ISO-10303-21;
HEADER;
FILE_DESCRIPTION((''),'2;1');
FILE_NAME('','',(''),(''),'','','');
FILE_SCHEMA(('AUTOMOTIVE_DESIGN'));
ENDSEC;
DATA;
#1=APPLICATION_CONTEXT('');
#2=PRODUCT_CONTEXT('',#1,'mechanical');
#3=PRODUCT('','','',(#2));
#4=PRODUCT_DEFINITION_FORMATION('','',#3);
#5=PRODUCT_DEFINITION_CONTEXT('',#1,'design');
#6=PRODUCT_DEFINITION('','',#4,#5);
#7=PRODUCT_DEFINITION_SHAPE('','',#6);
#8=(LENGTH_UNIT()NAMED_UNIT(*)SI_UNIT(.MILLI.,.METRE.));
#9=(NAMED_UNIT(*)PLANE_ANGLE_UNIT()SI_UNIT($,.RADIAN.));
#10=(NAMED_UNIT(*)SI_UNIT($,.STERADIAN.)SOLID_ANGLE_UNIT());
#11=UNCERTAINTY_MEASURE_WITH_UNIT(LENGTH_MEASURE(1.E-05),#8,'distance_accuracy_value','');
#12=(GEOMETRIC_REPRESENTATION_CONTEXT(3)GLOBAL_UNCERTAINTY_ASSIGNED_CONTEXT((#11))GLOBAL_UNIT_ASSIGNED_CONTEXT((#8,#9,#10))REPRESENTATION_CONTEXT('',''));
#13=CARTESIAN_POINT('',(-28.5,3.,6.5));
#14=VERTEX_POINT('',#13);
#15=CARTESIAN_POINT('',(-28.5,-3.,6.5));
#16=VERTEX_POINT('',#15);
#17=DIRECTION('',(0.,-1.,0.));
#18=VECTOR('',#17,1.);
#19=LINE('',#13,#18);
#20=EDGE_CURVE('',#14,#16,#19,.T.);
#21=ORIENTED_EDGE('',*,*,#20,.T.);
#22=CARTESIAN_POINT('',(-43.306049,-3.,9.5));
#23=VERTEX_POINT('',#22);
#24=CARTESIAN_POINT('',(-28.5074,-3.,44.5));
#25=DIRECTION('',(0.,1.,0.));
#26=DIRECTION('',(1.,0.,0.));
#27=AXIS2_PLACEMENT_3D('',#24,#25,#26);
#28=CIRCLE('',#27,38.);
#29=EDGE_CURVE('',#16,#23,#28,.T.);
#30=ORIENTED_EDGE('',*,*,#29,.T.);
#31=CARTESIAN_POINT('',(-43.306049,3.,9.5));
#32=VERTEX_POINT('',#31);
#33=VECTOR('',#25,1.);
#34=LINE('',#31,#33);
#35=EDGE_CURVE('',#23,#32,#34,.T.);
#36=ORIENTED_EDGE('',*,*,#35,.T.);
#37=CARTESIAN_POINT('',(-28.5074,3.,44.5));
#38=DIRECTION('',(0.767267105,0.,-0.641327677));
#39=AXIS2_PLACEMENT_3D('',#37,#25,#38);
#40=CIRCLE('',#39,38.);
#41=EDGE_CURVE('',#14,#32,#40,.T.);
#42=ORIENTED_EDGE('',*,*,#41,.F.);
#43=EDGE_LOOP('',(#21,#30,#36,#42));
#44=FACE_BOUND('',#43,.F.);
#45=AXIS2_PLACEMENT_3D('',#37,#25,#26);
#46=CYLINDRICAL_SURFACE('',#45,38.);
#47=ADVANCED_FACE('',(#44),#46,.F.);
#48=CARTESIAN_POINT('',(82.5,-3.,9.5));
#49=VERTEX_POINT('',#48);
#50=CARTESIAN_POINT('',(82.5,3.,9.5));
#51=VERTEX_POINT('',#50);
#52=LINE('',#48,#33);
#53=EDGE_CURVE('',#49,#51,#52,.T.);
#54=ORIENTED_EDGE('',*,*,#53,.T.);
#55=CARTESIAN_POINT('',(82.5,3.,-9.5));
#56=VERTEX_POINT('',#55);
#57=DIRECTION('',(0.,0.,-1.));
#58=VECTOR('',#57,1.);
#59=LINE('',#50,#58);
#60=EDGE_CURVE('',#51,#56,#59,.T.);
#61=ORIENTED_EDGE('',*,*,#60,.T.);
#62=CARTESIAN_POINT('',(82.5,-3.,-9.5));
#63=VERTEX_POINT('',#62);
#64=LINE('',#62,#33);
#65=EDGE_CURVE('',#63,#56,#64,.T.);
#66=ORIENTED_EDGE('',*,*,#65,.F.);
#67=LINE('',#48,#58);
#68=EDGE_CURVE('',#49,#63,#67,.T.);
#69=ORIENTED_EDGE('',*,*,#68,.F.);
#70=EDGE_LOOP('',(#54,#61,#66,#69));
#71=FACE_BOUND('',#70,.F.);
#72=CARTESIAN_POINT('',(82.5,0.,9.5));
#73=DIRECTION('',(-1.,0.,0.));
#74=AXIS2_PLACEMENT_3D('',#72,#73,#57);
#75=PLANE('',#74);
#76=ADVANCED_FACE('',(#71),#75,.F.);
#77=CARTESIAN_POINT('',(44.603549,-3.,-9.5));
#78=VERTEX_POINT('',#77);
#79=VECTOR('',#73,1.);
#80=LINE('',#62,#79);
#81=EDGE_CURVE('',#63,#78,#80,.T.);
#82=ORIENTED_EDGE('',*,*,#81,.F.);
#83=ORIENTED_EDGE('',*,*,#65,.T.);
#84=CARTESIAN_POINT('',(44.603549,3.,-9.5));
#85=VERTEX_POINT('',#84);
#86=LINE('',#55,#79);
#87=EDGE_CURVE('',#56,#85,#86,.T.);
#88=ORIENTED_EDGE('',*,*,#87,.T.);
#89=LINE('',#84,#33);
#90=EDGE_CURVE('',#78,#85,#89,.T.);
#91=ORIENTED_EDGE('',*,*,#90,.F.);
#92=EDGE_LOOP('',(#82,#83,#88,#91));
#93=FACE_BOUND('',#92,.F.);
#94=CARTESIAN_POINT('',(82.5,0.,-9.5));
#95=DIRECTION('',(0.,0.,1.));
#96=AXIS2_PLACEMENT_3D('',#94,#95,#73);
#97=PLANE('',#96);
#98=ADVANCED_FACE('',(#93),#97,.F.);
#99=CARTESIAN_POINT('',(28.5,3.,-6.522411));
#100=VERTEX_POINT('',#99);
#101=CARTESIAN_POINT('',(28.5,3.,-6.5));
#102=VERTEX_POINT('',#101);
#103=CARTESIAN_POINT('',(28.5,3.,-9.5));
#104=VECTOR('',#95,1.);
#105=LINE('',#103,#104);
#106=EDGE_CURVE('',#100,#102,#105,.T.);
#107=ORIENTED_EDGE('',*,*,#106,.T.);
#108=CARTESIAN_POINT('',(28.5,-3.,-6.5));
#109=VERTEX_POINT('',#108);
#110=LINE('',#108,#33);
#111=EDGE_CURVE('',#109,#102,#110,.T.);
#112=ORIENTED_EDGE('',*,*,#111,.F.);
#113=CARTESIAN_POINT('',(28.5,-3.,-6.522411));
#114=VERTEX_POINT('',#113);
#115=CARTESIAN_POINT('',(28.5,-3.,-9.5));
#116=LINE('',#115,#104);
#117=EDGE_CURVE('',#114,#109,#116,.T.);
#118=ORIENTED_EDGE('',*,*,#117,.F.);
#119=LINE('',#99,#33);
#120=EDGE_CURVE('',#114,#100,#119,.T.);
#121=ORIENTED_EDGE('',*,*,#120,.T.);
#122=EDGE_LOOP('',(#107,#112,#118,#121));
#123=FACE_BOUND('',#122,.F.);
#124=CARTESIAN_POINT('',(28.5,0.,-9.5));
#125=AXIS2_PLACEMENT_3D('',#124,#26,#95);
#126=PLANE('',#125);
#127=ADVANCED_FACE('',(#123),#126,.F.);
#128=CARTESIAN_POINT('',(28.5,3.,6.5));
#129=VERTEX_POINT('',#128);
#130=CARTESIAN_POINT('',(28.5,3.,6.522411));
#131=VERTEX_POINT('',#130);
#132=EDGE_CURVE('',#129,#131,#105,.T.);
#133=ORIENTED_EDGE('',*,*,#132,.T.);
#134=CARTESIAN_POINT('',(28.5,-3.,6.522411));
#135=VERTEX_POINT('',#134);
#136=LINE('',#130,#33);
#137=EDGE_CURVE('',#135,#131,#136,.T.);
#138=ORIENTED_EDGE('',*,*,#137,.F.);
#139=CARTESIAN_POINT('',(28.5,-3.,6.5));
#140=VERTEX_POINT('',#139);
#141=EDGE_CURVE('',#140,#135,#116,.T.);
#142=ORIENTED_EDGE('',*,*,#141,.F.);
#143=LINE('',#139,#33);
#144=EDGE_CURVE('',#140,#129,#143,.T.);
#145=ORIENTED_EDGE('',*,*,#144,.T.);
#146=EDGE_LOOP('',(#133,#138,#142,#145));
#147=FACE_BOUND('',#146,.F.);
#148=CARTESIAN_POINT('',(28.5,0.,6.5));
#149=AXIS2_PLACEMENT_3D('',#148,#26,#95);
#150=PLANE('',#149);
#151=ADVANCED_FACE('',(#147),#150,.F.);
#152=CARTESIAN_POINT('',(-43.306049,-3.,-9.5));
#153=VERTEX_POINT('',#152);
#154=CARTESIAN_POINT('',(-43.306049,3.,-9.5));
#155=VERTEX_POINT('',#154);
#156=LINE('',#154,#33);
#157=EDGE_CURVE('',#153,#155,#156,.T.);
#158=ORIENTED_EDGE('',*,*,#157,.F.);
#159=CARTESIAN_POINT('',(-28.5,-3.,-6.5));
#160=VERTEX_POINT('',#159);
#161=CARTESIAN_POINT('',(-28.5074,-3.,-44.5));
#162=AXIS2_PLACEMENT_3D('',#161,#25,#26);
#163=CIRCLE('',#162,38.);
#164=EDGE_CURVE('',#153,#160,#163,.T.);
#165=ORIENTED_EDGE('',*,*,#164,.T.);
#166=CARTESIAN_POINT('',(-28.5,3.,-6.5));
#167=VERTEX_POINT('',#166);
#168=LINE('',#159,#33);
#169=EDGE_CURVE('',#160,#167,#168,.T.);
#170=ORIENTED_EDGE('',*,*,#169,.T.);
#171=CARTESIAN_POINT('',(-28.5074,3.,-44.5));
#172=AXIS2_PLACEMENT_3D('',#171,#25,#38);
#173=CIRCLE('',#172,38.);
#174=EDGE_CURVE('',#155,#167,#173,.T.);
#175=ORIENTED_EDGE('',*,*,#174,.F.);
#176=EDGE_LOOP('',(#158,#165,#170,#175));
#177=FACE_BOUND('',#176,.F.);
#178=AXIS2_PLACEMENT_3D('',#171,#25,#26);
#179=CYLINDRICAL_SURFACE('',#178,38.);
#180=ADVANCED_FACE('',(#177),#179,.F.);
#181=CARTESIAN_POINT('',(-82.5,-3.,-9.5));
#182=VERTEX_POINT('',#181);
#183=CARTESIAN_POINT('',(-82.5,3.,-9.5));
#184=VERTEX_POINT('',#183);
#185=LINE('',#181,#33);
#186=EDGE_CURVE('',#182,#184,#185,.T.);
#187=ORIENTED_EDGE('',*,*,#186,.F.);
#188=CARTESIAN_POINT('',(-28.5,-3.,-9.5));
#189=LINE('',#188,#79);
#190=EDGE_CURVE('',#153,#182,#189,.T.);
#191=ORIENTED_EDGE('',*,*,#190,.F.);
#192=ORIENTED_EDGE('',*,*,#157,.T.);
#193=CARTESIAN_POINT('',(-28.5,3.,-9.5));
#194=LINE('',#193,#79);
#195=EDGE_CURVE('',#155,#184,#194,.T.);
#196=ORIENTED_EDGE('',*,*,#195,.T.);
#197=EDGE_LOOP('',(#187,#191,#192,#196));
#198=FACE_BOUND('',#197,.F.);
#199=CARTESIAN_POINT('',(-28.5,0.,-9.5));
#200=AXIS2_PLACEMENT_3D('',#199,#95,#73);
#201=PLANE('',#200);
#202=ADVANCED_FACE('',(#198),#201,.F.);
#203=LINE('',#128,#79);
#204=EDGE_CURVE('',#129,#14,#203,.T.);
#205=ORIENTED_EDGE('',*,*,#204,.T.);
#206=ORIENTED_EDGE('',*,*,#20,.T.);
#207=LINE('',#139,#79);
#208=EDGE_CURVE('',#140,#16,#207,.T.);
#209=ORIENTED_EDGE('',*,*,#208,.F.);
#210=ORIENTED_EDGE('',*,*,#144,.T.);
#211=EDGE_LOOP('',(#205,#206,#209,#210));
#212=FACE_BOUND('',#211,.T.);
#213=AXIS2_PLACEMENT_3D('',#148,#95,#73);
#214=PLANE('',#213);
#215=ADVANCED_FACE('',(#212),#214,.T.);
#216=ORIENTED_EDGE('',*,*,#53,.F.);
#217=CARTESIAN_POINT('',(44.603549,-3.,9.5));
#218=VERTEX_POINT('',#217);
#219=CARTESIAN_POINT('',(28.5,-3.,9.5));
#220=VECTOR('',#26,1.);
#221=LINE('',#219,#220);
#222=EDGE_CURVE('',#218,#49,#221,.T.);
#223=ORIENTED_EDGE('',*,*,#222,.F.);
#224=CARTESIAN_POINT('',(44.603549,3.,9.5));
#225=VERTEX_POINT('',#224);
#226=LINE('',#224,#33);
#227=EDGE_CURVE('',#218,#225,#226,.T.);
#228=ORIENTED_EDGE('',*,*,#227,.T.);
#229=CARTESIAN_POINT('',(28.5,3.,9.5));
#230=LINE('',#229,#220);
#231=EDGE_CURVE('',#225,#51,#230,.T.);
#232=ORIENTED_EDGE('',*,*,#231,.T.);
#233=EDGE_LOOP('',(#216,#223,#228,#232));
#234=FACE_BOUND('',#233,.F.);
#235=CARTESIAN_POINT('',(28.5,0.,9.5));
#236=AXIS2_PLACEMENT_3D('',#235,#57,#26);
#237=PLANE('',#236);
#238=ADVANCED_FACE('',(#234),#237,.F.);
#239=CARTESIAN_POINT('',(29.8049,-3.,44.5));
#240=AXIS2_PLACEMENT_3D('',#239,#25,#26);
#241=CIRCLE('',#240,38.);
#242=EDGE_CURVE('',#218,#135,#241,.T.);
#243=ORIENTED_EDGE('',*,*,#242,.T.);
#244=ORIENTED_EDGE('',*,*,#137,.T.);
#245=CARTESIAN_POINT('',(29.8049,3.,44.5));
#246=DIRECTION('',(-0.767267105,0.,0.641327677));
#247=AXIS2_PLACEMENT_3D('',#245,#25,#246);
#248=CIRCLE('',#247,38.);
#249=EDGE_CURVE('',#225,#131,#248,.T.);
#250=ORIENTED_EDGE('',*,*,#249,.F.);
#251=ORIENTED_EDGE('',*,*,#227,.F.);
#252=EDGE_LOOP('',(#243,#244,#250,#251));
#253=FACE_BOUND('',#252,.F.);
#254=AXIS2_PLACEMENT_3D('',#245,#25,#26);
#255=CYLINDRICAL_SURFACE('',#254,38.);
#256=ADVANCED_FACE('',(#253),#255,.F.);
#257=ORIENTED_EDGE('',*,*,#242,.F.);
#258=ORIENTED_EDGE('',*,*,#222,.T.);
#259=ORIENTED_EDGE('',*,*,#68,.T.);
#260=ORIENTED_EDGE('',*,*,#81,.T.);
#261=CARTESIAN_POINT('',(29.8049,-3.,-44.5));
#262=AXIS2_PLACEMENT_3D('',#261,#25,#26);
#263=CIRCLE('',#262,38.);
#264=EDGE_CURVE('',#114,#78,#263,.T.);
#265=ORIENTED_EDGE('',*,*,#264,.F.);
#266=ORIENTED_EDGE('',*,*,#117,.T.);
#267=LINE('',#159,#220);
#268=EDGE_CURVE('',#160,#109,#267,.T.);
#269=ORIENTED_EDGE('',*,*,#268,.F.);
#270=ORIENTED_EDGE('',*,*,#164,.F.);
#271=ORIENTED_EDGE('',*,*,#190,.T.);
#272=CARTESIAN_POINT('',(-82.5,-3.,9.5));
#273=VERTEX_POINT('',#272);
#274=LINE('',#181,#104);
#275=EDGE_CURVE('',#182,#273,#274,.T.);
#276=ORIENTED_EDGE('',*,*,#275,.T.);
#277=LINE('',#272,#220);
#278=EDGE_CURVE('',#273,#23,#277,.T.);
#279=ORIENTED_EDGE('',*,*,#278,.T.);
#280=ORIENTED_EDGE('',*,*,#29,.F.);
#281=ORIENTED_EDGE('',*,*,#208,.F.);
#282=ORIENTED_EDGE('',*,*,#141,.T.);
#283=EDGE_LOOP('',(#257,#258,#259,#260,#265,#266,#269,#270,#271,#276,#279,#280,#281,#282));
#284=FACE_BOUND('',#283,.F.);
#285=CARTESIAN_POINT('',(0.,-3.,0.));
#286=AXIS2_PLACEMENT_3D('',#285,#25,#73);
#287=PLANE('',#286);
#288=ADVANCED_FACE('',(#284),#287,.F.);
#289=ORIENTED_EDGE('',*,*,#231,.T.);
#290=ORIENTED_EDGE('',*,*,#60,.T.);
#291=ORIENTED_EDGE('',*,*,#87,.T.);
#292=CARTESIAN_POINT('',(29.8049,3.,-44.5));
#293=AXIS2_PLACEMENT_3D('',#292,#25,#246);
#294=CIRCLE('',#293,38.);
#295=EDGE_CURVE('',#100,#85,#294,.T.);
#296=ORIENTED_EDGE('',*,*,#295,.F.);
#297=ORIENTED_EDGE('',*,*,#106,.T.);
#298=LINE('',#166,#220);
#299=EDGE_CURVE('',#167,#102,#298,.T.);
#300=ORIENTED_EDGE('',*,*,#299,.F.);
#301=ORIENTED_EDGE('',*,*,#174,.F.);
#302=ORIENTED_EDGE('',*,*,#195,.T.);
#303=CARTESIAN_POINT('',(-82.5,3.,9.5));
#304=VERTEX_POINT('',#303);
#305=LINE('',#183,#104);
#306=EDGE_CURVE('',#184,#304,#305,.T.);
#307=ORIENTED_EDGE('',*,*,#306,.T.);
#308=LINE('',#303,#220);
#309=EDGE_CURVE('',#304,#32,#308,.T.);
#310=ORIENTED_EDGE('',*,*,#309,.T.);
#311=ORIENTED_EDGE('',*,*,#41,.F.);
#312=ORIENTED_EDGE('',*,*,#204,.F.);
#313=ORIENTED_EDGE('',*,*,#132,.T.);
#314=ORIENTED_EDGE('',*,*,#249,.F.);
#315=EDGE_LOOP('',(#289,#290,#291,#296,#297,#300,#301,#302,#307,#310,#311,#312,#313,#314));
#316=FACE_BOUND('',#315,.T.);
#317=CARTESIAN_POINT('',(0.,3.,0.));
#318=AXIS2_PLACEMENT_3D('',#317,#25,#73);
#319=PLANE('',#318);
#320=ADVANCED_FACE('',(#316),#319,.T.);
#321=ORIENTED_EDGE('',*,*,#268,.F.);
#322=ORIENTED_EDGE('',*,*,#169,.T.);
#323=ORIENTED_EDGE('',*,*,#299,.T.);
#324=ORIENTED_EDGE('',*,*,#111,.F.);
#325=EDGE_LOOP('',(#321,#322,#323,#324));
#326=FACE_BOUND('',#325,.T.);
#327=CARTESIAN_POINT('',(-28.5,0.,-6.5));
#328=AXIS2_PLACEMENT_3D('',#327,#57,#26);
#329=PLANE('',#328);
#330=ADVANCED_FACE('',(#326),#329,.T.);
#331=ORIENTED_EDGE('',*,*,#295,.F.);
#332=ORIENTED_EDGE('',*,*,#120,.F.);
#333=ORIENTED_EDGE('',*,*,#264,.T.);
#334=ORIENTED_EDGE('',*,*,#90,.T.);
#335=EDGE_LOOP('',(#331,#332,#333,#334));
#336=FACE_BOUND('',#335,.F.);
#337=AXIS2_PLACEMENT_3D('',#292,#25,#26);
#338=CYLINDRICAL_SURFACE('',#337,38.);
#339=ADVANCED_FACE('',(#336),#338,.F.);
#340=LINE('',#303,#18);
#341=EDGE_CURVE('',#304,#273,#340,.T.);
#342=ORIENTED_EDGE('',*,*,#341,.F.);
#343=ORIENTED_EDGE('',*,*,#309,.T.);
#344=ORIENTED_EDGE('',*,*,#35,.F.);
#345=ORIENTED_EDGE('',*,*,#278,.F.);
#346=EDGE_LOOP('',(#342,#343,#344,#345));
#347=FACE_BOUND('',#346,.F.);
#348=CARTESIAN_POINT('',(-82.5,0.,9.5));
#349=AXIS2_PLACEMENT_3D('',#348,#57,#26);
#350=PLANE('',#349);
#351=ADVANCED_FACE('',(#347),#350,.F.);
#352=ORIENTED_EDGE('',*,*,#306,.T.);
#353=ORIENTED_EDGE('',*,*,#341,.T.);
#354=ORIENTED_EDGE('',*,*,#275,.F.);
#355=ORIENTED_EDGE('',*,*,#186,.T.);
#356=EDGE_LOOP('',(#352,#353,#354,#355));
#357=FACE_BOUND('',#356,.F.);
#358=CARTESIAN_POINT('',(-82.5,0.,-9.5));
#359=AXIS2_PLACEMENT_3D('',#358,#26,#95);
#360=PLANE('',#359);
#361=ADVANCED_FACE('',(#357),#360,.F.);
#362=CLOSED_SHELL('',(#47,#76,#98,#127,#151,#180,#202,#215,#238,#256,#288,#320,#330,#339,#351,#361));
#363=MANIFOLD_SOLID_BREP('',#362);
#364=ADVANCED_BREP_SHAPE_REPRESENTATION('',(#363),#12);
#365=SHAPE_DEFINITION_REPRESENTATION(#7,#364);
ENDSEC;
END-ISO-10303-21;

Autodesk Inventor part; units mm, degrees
ref_plane "YZ Plane" through (0, 0, 0) normal (1, 0, 0) x (0, 1, 0)
ref_plane "XZ Plane" through (0, 0, 0) normal (0, 1, 0) x (-1, 0, 0)
ref_plane "XY Plane" through (0, 0, 0) normal (0, 0, 1) x (1, 0, 0)
sketch "Boceto1" plane through (0, 0, 0) normal (0, 1, 0) x (-1, 0, 0)
  line L0 (-28.5, 6.5) -> (28.5, 6.5)
  line L1 (28.5, 6.5) -> (28.5, -6.5)
  line L2 (28.5, -6.5) -> (-28.5, -6.5)
  line L3 (-28.5, -6.5) -> (-28.5, 6.5)
  line L4 (-28.5, 6.5) -> (28.5, -6.5) construction
  line L5 (28.5, 6.5) -> (-28.5, -6.5) construction
  line L6 (82.5, 9.5) -> (28.5, 9.5)
  line L7 (28.5, 9.5) -> (28.5, -9.5)
  line L8 (28.5, -9.5) -> (82.5, -9.5)
  line L9 (82.5, -9.5) -> (82.5, 9.5)
  line L10 (-28.5, 9.5) -> (-82.5, 9.5)
  line L11 (-82.5, 9.5) -> (-82.5, -9.5)
  line L12 (-82.5, -9.5) -> (-28.5, -9.5)
  line L13 (-28.5, -9.5) -> (-28.5, 9.5)
  point P0 (0, 0)
  point P1 (28.5, 6.5)
  point P2 (-28.5, 6.5)
  point P3 (28.5, -6.5)
  dimension "d0" = 13
  dimension "d1" = 57
  dimension "d2" = 19
  dimension "d3" = 9.5
  dimension "d4" = 9.5
  dimension "d5" = 19
  dimension "d6" = 165
extrude "Extrusión1" add sketch "Boceto1" along normal mid plane 6
sketch "Boceto3" plane through (0, 3, 0) normal (0, 1, 0) x (1, 0, 0)
  circle A0 centre (-28.5074, -44.5) radius 38
  line L0 (-28.5, -6.5) -> (28.5, -6.5) projected
  circle A1 centre (-28.5074, 44.5) radius 38
  circle A2 centre (29.8049, 44.5) radius 38
  circle A3 centre (29.8049, -44.5) radius 38
  line L1 (28.5, 6.5) -> (-28.5, 6.5) projected
  point P0 (0, 0)
  point P1 (0.6488, -68.8704)
  point P2 (0.6488, -20.1296)
  point P3 (0.6488, 68.8704)
  point P4 (0.6488, 20.1296)
  dimension "d11" = 76
extrude "Extrusión2" cut sketch "Boceto3" against normal through all
properties part number "TensileTestSpecimen"
